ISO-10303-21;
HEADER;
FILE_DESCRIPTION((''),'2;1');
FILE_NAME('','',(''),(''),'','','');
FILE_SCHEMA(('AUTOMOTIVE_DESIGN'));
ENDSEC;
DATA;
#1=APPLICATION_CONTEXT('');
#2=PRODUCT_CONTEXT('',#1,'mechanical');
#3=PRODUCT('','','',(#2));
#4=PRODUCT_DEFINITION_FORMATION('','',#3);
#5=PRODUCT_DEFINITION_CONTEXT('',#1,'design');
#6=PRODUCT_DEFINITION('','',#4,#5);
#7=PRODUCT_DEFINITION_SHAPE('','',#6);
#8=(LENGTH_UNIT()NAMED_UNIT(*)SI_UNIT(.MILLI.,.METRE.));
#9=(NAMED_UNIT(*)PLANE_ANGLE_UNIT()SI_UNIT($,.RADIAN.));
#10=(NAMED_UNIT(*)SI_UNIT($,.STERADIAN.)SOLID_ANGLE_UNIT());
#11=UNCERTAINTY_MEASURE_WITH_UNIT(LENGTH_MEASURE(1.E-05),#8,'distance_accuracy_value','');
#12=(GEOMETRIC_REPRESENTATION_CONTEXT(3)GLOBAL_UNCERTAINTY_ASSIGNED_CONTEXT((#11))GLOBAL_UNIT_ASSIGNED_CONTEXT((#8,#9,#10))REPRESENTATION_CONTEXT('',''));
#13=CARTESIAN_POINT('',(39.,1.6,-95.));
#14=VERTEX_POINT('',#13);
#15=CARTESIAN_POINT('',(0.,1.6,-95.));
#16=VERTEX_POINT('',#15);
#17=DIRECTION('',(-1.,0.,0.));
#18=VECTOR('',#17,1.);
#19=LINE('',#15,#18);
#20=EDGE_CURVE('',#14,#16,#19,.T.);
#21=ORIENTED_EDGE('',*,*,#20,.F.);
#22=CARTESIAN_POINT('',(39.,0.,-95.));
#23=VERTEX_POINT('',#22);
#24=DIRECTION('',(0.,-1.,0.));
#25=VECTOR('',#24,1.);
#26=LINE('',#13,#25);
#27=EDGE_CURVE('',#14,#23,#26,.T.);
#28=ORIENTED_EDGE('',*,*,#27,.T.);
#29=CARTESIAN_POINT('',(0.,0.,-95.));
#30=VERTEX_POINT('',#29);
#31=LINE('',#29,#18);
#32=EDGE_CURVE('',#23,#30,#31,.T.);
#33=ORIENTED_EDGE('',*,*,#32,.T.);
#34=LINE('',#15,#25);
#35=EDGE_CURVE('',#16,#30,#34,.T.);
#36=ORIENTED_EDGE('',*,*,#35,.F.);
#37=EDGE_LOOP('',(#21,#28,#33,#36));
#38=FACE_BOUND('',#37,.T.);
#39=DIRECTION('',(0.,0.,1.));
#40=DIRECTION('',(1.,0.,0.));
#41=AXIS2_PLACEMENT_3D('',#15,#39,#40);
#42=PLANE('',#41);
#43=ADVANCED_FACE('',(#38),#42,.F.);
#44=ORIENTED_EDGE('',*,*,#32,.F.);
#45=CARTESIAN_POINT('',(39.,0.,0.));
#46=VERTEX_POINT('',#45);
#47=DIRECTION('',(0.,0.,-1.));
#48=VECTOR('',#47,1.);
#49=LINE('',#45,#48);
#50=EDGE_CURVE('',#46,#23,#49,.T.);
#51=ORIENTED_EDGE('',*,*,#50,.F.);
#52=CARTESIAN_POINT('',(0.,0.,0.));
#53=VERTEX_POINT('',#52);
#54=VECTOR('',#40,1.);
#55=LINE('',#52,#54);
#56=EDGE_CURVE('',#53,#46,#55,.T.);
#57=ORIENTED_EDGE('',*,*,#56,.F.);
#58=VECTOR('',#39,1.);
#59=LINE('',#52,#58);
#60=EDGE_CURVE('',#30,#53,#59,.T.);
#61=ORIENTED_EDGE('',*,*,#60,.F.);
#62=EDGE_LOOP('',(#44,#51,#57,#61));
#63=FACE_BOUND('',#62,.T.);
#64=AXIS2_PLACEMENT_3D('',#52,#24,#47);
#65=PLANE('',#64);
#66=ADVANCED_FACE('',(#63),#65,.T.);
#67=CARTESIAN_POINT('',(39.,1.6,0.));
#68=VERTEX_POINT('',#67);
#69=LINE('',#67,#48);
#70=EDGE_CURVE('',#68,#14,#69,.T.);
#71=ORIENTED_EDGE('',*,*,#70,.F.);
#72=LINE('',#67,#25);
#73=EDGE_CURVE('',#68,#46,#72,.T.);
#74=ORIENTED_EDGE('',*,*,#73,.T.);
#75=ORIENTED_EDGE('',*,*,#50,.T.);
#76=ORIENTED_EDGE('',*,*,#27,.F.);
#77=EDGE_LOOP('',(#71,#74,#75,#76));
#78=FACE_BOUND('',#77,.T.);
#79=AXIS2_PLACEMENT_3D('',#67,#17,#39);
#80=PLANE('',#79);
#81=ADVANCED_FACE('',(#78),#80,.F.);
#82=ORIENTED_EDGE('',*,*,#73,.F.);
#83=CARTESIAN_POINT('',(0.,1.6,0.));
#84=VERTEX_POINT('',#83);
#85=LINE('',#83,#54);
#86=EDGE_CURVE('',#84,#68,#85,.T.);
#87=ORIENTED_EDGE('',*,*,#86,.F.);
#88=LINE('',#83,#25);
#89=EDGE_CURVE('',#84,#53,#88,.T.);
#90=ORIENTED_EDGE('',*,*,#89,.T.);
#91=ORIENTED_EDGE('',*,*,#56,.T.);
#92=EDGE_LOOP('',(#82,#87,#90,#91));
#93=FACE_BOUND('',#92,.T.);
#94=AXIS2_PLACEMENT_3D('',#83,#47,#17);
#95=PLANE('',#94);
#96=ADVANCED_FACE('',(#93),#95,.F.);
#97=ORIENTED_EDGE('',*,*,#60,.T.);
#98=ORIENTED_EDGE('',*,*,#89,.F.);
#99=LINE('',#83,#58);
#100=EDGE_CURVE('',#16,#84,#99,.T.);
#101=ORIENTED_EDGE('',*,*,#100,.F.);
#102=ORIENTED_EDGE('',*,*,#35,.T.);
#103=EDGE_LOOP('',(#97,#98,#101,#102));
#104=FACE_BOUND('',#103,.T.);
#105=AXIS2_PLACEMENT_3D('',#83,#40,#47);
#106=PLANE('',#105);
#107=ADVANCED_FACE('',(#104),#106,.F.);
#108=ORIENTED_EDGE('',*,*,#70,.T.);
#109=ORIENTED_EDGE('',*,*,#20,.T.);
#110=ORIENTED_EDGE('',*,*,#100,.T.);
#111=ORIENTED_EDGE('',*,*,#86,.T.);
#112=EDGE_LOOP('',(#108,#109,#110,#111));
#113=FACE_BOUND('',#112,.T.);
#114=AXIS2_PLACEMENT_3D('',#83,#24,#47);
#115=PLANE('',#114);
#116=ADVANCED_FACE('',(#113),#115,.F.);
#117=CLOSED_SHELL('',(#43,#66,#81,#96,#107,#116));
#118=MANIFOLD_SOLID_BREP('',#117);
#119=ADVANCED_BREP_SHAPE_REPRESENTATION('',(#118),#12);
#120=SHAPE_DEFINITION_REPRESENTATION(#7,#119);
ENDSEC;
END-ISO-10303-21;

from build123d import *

# Parameters (mm, degrees)
SKETCH_1_W      = 39
SKETCH_1_H      = 95
EXTRUDE_1_DEPTH = 1.6


with BuildPart() as part:
    # 草图1 → 凸台-拉伸1 (new body)
    with BuildSketch(Plane(origin=(0, 0, 0), x_dir=(1, 0, 0), z_dir=(0, 1, 0))):
        with Locations((19.5, 47.5)):
            Rectangle(SKETCH_1_W, SKETCH_1_H)
    extrude(amount=EXTRUDE_1_DEPTH)


solid = part.part
